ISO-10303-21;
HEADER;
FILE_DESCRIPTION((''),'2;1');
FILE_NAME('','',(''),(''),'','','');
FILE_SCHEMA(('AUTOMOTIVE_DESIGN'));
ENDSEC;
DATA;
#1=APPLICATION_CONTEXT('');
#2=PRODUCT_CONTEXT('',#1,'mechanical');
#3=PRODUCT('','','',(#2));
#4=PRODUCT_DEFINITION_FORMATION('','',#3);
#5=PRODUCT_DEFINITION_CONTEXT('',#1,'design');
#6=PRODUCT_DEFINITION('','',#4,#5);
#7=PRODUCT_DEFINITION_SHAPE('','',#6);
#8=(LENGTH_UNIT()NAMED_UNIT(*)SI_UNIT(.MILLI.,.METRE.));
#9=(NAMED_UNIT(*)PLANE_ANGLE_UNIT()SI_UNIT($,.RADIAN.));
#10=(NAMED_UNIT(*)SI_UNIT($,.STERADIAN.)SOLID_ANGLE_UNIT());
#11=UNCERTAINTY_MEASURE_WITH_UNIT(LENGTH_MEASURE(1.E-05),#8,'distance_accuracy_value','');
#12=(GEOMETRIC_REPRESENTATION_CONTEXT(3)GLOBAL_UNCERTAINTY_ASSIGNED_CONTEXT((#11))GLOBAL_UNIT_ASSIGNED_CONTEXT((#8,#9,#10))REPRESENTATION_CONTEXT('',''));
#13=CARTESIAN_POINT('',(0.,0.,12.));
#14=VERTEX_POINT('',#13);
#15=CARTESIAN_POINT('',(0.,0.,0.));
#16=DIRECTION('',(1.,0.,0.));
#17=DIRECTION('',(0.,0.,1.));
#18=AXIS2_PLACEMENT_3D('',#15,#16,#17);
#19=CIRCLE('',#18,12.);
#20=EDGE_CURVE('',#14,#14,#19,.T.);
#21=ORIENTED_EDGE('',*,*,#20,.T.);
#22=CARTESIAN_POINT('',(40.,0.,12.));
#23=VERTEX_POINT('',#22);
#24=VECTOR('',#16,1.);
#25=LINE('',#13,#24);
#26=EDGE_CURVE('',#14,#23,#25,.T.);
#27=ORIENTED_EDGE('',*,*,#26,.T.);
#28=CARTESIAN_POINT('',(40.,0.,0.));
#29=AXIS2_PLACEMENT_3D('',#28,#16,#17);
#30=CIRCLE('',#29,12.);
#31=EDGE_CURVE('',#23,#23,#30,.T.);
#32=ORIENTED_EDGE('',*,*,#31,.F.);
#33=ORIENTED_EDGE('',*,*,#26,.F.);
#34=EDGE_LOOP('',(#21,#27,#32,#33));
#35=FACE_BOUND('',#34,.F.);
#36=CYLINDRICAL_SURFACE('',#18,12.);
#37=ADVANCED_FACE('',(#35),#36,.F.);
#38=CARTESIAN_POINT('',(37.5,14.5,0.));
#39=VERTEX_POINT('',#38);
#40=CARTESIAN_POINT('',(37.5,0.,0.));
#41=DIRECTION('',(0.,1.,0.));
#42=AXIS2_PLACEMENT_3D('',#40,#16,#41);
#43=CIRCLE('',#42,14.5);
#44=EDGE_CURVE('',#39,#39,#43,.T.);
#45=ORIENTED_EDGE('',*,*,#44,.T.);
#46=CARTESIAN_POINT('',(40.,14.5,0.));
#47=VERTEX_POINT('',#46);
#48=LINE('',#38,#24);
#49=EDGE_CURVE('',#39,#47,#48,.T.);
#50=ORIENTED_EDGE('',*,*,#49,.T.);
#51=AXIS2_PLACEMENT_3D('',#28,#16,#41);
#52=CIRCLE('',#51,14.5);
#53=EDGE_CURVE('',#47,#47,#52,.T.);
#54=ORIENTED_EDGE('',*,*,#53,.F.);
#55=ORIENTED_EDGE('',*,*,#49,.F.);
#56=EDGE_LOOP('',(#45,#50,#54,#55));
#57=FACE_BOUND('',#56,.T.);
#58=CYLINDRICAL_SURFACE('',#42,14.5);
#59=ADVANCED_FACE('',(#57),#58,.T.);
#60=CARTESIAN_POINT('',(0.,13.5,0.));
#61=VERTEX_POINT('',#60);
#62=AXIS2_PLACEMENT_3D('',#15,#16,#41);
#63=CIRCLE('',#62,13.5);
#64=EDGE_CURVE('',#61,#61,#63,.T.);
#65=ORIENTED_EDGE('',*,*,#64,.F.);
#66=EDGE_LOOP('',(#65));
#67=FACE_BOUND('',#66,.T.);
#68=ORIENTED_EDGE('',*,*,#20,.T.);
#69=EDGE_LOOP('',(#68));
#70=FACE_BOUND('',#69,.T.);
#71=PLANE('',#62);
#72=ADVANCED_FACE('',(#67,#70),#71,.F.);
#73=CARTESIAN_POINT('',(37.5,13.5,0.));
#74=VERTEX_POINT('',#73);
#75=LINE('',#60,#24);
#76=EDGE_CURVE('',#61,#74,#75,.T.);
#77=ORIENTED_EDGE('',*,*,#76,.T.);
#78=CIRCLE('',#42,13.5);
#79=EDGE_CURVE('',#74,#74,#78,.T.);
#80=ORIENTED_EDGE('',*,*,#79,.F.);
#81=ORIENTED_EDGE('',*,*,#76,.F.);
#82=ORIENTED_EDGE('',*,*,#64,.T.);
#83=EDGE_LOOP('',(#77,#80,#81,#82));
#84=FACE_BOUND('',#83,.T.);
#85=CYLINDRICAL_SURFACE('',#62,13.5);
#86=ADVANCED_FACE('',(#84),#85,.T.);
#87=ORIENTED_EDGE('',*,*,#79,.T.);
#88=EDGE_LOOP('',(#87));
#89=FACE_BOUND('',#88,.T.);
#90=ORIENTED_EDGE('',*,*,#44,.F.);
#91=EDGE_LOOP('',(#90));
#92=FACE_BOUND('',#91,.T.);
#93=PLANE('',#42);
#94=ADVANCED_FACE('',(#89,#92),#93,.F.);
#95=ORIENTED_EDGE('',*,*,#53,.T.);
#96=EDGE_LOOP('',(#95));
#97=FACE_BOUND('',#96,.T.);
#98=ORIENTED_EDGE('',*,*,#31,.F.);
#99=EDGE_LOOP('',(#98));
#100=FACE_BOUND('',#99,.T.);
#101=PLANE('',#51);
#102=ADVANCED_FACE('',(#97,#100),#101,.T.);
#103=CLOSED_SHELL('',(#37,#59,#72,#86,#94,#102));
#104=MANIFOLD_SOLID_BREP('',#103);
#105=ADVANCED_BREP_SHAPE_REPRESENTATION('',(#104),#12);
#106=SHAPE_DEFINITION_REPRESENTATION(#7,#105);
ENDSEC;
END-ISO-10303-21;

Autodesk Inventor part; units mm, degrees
ref_plane "YZ Plane" through (0, 0, 0) normal (1, 0, 0) x (0, 1, 0)
ref_plane "XZ Plane" through (0, 0, 0) normal (0, 1, 0) x (-1, 0, 0)
ref_plane "XY Plane" through (0, 0, 0) normal (0, 0, 1) x (1, 0, 0)
sketch "Skizze1" plane through (0, 0, 0) normal (0, 0, 1) x (1, 0, 0)
  line L0 (0, 0) -> (40, 0)
  line L1 (0, 0) -> (0, 13.5)
  line L2 (0, 13.5) -> (37.5, 13.5)
  line L3 (37.5, 13.5) -> (37.5, 14.5)
  line L4 (37.5, 14.5) -> (40, 14.5)
  line L5 (40, 14.5) -> (40, 0)
  dimension "d0" = 29
  dimension "d1" = 27
  dimension "d2" = 2.5
  dimension "d3" = 37.5
revolve "Umdrehung1" add sketch "Skizze1" angle 360 about axis through (0, 0, 0) along (1, 0, 0)
sketch "Skizze2" plane through (0, 0, 0) normal (-1, 0, 0) x (0, 0, 1)
  circle A0 centre (0, 0) radius 13.5 projected
hole "Bohrung1" at (0, 0, 0) direction (1, 0, 0) diameter 24 end through all
properties part number "fitting" material "Stahl, hochfest, niedrig legiert"
